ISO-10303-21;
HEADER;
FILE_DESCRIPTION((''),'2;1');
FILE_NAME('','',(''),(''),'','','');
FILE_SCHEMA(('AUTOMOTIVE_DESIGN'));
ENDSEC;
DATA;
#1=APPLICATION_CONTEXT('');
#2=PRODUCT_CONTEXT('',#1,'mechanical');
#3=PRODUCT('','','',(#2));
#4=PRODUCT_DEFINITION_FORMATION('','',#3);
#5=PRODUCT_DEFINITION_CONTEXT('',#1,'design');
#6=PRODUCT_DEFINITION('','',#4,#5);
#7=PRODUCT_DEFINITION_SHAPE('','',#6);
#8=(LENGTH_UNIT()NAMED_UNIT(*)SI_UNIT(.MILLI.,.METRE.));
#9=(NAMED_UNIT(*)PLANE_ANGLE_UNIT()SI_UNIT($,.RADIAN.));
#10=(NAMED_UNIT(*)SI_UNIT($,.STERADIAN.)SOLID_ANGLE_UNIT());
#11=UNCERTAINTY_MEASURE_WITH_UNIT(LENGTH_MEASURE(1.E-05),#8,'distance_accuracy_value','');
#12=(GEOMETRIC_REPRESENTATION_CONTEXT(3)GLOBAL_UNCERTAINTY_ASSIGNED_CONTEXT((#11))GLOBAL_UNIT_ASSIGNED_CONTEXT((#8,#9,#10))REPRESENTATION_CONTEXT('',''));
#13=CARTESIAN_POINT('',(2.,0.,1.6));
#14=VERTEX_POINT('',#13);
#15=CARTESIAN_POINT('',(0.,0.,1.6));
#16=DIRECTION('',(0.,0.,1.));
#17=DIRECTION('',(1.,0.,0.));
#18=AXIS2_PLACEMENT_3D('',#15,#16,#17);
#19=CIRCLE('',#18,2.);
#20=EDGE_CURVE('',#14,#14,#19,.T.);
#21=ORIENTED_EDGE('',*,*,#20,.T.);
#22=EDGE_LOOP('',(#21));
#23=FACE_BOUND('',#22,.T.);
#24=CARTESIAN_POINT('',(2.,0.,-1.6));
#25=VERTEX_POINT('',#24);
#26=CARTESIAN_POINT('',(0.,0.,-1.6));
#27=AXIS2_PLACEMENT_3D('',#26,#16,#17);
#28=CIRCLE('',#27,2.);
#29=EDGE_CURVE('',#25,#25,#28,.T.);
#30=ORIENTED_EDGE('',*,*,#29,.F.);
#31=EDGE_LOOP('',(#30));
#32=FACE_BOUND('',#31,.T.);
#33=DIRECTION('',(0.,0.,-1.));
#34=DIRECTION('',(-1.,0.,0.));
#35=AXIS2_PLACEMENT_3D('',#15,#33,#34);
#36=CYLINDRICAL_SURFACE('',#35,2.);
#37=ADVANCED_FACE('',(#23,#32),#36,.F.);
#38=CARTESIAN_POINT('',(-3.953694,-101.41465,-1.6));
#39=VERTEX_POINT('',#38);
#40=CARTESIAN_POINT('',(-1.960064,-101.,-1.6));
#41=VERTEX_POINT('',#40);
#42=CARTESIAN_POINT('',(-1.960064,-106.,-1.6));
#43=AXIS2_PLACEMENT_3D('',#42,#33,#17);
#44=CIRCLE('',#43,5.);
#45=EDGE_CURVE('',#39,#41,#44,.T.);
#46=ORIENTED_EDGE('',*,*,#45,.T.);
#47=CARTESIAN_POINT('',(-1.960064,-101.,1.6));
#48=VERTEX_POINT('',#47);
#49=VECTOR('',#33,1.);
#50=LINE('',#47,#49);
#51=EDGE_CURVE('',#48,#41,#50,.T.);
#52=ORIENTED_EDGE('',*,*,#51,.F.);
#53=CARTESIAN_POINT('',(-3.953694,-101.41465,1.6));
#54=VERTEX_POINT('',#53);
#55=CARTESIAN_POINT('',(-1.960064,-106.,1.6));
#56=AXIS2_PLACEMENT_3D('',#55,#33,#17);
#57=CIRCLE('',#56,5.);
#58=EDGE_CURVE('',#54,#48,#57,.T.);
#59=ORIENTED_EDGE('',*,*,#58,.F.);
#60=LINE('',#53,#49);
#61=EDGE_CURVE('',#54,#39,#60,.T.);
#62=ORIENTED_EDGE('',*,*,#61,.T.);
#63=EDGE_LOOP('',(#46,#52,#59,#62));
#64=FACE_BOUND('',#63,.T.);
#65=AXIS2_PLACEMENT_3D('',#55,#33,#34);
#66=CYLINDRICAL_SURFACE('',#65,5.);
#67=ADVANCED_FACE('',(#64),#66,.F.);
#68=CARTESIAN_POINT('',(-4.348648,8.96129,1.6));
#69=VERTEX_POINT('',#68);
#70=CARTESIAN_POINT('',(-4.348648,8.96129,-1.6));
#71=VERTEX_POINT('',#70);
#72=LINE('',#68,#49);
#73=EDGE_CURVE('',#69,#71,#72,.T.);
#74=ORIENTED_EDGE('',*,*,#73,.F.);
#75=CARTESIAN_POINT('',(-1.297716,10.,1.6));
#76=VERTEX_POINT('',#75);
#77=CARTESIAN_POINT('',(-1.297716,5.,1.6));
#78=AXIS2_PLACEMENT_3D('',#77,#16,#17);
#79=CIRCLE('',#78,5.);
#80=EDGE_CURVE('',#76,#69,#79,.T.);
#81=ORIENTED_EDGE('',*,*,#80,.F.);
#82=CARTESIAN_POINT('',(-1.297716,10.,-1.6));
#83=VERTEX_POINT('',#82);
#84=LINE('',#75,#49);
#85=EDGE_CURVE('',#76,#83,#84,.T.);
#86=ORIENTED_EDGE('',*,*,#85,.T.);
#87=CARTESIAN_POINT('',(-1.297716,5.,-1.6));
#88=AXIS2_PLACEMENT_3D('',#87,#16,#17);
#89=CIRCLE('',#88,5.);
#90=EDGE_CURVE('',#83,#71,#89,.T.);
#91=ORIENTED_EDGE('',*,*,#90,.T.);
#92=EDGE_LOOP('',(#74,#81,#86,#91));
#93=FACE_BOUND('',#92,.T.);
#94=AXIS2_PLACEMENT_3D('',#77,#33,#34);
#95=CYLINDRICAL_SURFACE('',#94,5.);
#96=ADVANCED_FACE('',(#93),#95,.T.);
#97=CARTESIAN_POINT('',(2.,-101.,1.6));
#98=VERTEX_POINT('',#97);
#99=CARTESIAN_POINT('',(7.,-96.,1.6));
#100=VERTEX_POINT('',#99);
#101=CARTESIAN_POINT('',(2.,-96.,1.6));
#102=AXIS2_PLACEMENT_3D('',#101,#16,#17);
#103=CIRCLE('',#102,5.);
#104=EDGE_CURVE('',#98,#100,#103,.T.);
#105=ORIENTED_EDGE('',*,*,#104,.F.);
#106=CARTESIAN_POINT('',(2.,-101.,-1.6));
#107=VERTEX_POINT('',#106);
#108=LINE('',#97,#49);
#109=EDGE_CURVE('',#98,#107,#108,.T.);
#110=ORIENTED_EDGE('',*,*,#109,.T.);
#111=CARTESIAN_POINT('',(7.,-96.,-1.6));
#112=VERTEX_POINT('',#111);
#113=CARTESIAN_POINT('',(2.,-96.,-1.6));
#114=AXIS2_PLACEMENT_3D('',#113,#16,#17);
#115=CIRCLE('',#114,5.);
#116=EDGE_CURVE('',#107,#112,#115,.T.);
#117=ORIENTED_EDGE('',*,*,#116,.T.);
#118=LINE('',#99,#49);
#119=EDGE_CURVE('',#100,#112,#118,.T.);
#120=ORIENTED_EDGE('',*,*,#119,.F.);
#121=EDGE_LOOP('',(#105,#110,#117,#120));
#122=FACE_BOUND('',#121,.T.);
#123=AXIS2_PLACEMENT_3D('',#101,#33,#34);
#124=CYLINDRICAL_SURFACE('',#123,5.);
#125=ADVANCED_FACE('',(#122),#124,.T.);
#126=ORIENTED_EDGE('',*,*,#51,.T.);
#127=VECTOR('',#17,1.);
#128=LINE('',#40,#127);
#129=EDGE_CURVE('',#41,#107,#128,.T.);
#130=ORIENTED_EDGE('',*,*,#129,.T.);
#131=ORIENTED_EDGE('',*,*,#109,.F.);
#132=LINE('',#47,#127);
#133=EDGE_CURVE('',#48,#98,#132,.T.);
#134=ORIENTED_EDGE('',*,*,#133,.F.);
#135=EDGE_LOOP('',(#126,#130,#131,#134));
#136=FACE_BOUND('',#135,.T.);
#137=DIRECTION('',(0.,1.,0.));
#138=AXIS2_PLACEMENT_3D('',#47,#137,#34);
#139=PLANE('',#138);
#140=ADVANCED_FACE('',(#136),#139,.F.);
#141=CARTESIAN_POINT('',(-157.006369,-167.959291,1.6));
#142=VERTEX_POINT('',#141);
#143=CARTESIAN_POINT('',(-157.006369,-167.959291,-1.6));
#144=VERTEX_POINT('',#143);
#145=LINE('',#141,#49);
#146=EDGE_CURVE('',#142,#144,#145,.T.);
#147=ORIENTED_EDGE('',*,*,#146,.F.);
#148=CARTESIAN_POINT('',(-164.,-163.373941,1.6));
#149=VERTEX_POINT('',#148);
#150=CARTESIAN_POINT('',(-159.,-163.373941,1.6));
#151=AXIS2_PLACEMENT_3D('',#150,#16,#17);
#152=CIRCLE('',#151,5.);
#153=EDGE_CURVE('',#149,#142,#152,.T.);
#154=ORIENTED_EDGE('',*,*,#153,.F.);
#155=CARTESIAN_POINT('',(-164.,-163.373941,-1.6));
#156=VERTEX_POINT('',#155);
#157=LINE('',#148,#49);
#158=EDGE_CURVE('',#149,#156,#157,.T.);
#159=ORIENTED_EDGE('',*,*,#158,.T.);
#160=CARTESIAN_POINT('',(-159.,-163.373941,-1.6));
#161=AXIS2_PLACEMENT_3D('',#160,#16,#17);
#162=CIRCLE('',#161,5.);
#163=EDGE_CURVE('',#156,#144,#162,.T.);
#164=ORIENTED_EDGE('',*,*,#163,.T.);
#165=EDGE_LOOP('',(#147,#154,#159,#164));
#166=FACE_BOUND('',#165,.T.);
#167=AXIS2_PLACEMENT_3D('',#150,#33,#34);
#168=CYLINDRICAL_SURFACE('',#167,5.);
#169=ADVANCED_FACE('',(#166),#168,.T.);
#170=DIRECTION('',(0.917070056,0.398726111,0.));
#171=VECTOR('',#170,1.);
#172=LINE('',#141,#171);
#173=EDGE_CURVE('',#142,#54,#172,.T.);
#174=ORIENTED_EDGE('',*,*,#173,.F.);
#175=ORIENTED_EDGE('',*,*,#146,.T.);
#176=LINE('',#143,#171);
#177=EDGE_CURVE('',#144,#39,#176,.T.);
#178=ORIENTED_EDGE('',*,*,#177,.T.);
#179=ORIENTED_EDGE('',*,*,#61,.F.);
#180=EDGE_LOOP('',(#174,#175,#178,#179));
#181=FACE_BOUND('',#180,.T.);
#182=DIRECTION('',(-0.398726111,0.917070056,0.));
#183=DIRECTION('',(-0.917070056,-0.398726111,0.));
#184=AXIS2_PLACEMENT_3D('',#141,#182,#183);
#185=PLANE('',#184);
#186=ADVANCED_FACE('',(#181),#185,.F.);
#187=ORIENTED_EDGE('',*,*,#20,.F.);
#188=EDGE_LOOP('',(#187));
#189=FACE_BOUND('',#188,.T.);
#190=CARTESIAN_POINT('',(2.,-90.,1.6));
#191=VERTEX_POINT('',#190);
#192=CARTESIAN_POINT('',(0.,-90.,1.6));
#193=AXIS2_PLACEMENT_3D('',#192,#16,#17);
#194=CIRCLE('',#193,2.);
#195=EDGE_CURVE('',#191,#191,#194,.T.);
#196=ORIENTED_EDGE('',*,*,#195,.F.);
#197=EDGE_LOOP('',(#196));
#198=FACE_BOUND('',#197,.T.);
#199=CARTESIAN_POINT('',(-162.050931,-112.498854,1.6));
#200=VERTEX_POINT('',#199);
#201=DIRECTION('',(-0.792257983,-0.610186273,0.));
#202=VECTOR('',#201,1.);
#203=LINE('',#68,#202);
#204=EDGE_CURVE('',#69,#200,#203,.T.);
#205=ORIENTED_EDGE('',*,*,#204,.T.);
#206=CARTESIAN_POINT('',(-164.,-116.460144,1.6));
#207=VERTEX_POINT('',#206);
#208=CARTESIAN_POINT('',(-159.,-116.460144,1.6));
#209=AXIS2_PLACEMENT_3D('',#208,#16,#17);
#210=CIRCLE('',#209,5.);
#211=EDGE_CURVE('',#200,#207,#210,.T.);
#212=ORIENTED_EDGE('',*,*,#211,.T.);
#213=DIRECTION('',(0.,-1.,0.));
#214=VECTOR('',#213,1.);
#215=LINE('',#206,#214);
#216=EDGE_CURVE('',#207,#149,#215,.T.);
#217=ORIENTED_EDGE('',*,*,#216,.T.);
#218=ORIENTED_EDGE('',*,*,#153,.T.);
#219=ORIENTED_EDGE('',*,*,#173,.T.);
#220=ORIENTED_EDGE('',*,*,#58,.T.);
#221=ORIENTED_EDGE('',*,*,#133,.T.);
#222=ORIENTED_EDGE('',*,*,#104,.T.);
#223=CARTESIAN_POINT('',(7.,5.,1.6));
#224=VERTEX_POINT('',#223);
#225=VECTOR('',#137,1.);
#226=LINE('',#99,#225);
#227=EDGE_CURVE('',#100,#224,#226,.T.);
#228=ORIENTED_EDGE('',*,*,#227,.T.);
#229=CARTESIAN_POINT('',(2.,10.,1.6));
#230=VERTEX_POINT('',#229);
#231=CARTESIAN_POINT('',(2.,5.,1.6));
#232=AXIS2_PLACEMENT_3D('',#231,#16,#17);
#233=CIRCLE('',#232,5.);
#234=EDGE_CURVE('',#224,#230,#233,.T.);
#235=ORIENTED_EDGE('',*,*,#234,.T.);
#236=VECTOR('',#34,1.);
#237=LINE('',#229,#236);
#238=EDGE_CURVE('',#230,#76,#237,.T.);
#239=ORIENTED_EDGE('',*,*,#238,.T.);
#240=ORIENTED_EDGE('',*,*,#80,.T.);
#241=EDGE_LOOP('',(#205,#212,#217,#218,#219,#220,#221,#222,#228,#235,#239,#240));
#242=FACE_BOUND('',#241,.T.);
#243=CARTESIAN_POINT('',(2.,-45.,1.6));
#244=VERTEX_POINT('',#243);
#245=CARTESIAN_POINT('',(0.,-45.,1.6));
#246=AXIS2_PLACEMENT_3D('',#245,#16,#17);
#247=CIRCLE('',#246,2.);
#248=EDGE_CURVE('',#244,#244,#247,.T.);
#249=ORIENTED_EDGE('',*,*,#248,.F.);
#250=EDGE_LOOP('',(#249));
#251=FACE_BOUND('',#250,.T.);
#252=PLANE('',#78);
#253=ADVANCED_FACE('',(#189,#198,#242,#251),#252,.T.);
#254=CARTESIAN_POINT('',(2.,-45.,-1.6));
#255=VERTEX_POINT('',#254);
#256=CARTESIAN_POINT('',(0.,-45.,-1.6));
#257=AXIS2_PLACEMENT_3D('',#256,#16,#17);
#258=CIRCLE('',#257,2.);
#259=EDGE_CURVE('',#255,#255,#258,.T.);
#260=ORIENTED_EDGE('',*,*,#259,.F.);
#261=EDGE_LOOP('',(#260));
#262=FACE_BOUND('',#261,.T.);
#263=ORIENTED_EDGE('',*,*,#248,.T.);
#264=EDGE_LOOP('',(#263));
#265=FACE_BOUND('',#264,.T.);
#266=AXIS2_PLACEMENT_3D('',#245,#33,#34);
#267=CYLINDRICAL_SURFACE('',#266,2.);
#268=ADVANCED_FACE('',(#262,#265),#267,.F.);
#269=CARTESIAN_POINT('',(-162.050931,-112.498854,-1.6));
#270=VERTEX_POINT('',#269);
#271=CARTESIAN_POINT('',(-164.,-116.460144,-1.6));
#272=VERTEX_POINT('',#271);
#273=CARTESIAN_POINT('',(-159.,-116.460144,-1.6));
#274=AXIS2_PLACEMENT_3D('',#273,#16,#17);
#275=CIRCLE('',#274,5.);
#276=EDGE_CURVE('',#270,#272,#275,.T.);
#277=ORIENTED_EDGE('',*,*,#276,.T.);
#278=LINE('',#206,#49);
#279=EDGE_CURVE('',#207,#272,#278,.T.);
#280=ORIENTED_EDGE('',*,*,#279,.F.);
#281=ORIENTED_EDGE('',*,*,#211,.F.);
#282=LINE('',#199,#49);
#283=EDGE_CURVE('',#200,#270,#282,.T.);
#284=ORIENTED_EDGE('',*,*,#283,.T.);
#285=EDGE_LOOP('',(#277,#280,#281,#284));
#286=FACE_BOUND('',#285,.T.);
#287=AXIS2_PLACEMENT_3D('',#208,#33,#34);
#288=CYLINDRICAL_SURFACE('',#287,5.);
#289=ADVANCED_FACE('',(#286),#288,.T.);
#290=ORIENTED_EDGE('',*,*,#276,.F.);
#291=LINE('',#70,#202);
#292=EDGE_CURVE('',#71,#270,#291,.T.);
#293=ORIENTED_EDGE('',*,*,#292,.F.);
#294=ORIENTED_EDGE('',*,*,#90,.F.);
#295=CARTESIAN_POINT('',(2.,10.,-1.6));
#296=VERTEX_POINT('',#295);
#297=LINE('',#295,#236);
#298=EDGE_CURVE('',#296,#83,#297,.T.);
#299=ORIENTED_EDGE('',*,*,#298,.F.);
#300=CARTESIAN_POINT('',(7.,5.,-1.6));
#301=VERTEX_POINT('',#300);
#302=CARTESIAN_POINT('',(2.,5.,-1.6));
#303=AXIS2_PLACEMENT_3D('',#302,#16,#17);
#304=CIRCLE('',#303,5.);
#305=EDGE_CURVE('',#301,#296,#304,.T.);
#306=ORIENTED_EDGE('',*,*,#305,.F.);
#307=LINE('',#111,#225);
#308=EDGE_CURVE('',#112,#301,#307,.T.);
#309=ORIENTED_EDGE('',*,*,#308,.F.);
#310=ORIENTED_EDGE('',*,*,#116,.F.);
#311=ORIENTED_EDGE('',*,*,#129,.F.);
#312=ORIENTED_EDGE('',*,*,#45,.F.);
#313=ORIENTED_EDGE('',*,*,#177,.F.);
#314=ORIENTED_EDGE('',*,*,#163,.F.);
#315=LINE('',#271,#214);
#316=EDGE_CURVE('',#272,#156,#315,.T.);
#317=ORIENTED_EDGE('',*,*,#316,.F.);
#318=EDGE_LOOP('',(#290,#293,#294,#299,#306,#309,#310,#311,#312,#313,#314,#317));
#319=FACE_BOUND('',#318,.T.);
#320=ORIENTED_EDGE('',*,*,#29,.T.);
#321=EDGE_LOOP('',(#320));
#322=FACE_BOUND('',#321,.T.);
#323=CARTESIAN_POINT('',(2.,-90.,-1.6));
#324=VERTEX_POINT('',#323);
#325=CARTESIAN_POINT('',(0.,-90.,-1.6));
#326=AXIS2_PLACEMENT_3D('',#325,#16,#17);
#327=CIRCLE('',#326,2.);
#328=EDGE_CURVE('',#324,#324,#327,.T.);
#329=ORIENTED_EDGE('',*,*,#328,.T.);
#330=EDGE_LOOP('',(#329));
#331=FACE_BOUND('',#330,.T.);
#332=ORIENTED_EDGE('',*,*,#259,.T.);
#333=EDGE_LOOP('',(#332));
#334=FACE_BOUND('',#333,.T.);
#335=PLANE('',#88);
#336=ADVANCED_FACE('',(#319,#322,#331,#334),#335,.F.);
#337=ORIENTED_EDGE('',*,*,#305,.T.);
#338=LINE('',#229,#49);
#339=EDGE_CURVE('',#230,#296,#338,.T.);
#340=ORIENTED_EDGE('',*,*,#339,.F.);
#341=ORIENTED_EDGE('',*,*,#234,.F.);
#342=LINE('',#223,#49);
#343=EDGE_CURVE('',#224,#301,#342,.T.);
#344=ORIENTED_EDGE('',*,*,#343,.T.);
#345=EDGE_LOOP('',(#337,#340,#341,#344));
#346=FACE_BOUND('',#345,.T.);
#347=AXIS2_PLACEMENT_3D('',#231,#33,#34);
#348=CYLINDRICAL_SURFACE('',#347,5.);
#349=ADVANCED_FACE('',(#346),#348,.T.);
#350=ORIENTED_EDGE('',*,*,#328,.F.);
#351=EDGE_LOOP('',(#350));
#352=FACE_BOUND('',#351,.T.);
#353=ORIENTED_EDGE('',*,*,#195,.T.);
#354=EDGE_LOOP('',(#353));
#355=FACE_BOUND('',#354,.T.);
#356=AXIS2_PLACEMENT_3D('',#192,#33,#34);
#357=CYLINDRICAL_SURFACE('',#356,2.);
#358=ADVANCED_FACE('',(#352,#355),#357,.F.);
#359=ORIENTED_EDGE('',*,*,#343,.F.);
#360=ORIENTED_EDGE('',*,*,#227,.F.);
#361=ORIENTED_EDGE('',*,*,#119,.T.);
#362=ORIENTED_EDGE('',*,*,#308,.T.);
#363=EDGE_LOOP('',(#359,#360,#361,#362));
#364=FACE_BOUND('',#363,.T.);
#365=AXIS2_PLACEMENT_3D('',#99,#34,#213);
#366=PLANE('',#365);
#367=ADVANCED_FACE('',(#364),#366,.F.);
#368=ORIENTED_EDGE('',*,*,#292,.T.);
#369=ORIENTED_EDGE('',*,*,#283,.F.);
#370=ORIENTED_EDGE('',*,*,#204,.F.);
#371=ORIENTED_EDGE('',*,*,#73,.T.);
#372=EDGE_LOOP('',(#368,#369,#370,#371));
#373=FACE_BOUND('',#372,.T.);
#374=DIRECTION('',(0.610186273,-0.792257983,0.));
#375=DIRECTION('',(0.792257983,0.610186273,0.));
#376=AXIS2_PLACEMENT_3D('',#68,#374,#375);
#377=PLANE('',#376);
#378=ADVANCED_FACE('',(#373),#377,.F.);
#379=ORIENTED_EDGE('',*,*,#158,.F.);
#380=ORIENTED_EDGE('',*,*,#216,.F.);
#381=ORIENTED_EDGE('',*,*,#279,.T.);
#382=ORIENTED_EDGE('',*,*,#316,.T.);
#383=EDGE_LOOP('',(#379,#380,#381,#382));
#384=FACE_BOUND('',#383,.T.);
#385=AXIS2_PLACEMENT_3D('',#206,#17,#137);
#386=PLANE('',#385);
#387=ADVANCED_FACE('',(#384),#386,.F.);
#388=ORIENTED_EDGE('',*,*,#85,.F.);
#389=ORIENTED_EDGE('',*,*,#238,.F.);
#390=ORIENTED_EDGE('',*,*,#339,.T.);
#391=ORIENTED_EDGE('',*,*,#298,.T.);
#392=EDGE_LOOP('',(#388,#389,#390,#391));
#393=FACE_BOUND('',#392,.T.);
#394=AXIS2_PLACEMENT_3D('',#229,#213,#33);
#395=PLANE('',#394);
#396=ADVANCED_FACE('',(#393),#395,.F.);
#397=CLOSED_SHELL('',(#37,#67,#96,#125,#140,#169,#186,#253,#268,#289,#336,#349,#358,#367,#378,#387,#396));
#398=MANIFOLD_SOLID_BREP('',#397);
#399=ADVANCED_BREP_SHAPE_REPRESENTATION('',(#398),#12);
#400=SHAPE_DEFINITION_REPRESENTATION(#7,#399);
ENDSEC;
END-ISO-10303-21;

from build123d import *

# Parameters (mm, degrees)
EXTRUDE_1_DEPTH      = 1.6
EXTRUDE_1_DEPTH_BACK = 1.6


with BuildPart() as part:
    # Эскиз1 → Бобышка-Вытянуть1 (new, two sides: drawn at the far end of the back side and taken through both)
    with BuildSketch(Plane.XY.offset(-EXTRUDE_1_DEPTH_BACK)):
        with BuildLine():
            Line((-4.348647769, 8.961289917), (-162.050931365, -112.49885397))
            ThreePointArc((-162.050931365, -112.49885397), (-163.486349118, -114.252731015), (-164, -116.460143887))
            Line((-164, -116.460143887), (-164, -163.373940781))
            ThreePointArc((-164, -163.373940781), (-161.741518486, -167.555337245), (-157.006369443, -167.959291062))
            Line((-157.006369443, -167.959291062), (-3.953694353, -101.414649719))
            ThreePointArc((-3.953694353, -101.414649719), (-2.978211279, -101.104759893), (-1.960063796, -101))
            Line((-1.960063796, -101), (2, -101))
            ThreePointArc((2, -101), (3.586523282, -100.741618276), (5.009075116, -99.99317755))
            ThreePointArc((5.009075116, -99.99317755), (6.474671808, -98.230989066), (7, -96))
            Line((7, -96), (7, 5))
            ThreePointArc((7, 5), (5.535533906, 8.535533906), (2, 10))
            Line((2, 10), (-1.297716404, 10))
            ThreePointArc((-1.297716404, 10), (-2.909167678, 9.733204495), (-4.348647769, 8.961289917))
        make_face()
        with BuildLine():
            ThreePointArc((1.203630046, -1.59727102), (1.59727102, 1.203630046), (-1.203630046, 1.59727102))
            ThreePointArc((-1.203630046, 1.59727102), (-1.59727102, -1.203630046), (1.203630046, -1.59727102))
        make_face(mode=Mode.SUBTRACT)
        with BuildLine():
            ThreePointArc((1.203630046, -46.59727102), (1.59727102, -43.796369954), (-1.203630046, -43.40272898))
            ThreePointArc((-1.203630046, -43.40272898), (-1.59727102, -46.203630046), (1.203630046, -46.59727102))
        make_face(mode=Mode.SUBTRACT)
        with BuildLine():
            ThreePointArc((1.203630046, -91.59727102), (1.59727102, -88.796369954), (-1.203630046, -88.40272898))
            ThreePointArc((-1.203630046, -88.40272898), (-1.59727102, -91.203630046), (1.203630046, -91.59727102))
        make_face(mode=Mode.SUBTRACT)
    extrude(amount=EXTRUDE_1_DEPTH + EXTRUDE_1_DEPTH_BACK)


solid = part.part
